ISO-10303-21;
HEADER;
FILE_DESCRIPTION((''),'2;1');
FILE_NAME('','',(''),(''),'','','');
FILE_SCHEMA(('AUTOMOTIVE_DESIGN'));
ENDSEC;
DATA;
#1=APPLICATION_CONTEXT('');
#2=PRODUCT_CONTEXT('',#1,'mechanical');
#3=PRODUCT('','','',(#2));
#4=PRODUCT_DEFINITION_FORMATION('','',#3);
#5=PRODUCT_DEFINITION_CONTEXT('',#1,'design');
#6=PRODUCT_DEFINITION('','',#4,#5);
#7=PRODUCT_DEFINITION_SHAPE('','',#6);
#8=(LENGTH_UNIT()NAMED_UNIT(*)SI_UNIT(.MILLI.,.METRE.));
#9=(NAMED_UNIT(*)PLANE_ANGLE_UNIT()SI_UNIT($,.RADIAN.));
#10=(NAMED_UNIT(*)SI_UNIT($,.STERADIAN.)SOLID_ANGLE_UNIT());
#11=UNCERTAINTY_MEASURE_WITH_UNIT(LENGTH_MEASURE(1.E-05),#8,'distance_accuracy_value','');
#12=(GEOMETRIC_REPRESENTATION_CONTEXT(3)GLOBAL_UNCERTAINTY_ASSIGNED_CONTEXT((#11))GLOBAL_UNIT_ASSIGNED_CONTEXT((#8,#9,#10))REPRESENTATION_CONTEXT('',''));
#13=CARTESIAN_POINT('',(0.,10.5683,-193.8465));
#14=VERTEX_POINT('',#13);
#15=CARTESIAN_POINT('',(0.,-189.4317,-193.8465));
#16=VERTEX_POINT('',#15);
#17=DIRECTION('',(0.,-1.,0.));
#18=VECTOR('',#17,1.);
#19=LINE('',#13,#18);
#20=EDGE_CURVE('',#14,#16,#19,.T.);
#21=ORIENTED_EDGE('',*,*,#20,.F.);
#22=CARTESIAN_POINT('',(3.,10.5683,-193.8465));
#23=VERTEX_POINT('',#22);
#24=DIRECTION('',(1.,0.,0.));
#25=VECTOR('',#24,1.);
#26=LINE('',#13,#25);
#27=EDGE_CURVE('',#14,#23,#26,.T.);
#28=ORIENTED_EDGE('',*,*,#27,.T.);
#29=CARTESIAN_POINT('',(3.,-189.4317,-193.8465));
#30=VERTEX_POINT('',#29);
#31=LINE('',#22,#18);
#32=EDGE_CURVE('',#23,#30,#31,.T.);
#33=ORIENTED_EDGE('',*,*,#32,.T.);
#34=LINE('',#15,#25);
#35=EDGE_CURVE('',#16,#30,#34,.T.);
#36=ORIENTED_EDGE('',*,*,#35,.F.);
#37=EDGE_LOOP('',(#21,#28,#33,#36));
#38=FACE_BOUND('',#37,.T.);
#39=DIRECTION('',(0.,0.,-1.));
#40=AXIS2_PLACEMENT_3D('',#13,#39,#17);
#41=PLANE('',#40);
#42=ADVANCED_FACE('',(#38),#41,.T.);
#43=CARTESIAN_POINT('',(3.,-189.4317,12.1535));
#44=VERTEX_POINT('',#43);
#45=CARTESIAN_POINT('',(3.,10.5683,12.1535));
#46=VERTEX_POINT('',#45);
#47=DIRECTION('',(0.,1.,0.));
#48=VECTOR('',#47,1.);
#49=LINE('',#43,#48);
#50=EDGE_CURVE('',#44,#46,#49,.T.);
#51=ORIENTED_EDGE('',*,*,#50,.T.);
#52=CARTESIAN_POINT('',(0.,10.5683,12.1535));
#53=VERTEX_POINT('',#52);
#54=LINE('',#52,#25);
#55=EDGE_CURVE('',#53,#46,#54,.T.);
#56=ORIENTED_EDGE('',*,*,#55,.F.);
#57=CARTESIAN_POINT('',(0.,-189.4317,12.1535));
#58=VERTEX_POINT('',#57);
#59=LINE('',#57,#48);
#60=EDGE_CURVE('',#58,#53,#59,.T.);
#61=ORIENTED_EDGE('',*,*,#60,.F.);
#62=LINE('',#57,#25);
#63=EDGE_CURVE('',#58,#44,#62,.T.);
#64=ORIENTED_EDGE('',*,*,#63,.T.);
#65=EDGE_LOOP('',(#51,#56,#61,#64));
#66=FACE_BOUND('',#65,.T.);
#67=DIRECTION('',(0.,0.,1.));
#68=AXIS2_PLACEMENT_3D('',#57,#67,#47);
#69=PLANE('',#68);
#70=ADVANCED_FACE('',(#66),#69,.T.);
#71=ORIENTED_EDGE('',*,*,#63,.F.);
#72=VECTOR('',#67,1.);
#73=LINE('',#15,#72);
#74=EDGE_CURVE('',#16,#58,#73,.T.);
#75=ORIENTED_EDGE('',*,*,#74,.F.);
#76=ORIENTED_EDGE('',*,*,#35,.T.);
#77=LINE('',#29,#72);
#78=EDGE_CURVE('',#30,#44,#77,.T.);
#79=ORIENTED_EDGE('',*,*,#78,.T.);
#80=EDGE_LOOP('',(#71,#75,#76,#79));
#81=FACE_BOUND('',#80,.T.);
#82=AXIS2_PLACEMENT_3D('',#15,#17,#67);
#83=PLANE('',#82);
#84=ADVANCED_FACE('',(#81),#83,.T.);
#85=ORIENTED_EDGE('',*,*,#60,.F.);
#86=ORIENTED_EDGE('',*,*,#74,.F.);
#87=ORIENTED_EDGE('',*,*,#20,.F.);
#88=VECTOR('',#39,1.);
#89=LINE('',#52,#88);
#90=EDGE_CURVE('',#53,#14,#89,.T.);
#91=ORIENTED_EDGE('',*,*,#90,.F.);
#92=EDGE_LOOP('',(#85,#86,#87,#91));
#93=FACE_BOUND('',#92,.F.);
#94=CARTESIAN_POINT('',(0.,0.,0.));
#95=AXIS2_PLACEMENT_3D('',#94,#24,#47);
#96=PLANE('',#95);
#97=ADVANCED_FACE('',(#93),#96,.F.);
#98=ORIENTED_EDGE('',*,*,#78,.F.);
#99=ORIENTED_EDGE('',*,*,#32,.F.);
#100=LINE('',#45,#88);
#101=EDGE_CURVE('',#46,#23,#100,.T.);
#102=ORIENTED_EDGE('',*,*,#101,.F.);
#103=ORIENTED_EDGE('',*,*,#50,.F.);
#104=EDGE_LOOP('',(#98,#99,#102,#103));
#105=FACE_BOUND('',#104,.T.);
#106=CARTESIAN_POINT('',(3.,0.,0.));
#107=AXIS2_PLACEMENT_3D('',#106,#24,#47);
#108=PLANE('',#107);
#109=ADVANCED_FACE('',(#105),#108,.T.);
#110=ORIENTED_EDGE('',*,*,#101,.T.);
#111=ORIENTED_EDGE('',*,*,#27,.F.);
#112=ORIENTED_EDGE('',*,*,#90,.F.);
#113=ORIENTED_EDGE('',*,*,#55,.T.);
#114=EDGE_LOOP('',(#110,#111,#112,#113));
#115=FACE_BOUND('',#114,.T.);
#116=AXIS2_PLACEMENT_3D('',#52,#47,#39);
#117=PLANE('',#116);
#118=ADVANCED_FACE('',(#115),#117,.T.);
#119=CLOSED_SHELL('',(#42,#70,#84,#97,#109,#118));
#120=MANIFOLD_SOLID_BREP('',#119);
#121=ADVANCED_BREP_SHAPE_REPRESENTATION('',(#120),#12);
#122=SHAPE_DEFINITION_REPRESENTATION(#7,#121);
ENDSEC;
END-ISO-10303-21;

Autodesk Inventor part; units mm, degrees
ref_plane "YZ Plane" through (0, 0, 0) normal (1, 0, 0) x (0, 1, 0)
ref_plane "XZ Plane" through (0, 0, 0) normal (0, 1, 0) x (-1, 0, 0)
ref_plane "XY Plane" through (0, 0, 0) normal (0, 0, 1) x (1, 0, 0)
sketch "Sketch1" plane through (0, 0, 0) normal (1, 0, 0) x (0, 1, 0)
  line L0 (10.5683, 12.1535) -> (10.5683, -193.8465)
  line L1 (10.5683, -193.8465) -> (-189.4317, -193.8465)
  line L2 (-189.4317, -193.8465) -> (-189.4317, 12.1535)
  line L3 (-189.4317, 12.1535) -> (10.5683, 12.1535)
  point P0 (0, 0)
  dimension "d0" = 206
  dimension "d1" = 200
extrude "Extrusion1" add sketch "Sketch1" along normal blind 3
properties part number "leftright" material "Glass"
